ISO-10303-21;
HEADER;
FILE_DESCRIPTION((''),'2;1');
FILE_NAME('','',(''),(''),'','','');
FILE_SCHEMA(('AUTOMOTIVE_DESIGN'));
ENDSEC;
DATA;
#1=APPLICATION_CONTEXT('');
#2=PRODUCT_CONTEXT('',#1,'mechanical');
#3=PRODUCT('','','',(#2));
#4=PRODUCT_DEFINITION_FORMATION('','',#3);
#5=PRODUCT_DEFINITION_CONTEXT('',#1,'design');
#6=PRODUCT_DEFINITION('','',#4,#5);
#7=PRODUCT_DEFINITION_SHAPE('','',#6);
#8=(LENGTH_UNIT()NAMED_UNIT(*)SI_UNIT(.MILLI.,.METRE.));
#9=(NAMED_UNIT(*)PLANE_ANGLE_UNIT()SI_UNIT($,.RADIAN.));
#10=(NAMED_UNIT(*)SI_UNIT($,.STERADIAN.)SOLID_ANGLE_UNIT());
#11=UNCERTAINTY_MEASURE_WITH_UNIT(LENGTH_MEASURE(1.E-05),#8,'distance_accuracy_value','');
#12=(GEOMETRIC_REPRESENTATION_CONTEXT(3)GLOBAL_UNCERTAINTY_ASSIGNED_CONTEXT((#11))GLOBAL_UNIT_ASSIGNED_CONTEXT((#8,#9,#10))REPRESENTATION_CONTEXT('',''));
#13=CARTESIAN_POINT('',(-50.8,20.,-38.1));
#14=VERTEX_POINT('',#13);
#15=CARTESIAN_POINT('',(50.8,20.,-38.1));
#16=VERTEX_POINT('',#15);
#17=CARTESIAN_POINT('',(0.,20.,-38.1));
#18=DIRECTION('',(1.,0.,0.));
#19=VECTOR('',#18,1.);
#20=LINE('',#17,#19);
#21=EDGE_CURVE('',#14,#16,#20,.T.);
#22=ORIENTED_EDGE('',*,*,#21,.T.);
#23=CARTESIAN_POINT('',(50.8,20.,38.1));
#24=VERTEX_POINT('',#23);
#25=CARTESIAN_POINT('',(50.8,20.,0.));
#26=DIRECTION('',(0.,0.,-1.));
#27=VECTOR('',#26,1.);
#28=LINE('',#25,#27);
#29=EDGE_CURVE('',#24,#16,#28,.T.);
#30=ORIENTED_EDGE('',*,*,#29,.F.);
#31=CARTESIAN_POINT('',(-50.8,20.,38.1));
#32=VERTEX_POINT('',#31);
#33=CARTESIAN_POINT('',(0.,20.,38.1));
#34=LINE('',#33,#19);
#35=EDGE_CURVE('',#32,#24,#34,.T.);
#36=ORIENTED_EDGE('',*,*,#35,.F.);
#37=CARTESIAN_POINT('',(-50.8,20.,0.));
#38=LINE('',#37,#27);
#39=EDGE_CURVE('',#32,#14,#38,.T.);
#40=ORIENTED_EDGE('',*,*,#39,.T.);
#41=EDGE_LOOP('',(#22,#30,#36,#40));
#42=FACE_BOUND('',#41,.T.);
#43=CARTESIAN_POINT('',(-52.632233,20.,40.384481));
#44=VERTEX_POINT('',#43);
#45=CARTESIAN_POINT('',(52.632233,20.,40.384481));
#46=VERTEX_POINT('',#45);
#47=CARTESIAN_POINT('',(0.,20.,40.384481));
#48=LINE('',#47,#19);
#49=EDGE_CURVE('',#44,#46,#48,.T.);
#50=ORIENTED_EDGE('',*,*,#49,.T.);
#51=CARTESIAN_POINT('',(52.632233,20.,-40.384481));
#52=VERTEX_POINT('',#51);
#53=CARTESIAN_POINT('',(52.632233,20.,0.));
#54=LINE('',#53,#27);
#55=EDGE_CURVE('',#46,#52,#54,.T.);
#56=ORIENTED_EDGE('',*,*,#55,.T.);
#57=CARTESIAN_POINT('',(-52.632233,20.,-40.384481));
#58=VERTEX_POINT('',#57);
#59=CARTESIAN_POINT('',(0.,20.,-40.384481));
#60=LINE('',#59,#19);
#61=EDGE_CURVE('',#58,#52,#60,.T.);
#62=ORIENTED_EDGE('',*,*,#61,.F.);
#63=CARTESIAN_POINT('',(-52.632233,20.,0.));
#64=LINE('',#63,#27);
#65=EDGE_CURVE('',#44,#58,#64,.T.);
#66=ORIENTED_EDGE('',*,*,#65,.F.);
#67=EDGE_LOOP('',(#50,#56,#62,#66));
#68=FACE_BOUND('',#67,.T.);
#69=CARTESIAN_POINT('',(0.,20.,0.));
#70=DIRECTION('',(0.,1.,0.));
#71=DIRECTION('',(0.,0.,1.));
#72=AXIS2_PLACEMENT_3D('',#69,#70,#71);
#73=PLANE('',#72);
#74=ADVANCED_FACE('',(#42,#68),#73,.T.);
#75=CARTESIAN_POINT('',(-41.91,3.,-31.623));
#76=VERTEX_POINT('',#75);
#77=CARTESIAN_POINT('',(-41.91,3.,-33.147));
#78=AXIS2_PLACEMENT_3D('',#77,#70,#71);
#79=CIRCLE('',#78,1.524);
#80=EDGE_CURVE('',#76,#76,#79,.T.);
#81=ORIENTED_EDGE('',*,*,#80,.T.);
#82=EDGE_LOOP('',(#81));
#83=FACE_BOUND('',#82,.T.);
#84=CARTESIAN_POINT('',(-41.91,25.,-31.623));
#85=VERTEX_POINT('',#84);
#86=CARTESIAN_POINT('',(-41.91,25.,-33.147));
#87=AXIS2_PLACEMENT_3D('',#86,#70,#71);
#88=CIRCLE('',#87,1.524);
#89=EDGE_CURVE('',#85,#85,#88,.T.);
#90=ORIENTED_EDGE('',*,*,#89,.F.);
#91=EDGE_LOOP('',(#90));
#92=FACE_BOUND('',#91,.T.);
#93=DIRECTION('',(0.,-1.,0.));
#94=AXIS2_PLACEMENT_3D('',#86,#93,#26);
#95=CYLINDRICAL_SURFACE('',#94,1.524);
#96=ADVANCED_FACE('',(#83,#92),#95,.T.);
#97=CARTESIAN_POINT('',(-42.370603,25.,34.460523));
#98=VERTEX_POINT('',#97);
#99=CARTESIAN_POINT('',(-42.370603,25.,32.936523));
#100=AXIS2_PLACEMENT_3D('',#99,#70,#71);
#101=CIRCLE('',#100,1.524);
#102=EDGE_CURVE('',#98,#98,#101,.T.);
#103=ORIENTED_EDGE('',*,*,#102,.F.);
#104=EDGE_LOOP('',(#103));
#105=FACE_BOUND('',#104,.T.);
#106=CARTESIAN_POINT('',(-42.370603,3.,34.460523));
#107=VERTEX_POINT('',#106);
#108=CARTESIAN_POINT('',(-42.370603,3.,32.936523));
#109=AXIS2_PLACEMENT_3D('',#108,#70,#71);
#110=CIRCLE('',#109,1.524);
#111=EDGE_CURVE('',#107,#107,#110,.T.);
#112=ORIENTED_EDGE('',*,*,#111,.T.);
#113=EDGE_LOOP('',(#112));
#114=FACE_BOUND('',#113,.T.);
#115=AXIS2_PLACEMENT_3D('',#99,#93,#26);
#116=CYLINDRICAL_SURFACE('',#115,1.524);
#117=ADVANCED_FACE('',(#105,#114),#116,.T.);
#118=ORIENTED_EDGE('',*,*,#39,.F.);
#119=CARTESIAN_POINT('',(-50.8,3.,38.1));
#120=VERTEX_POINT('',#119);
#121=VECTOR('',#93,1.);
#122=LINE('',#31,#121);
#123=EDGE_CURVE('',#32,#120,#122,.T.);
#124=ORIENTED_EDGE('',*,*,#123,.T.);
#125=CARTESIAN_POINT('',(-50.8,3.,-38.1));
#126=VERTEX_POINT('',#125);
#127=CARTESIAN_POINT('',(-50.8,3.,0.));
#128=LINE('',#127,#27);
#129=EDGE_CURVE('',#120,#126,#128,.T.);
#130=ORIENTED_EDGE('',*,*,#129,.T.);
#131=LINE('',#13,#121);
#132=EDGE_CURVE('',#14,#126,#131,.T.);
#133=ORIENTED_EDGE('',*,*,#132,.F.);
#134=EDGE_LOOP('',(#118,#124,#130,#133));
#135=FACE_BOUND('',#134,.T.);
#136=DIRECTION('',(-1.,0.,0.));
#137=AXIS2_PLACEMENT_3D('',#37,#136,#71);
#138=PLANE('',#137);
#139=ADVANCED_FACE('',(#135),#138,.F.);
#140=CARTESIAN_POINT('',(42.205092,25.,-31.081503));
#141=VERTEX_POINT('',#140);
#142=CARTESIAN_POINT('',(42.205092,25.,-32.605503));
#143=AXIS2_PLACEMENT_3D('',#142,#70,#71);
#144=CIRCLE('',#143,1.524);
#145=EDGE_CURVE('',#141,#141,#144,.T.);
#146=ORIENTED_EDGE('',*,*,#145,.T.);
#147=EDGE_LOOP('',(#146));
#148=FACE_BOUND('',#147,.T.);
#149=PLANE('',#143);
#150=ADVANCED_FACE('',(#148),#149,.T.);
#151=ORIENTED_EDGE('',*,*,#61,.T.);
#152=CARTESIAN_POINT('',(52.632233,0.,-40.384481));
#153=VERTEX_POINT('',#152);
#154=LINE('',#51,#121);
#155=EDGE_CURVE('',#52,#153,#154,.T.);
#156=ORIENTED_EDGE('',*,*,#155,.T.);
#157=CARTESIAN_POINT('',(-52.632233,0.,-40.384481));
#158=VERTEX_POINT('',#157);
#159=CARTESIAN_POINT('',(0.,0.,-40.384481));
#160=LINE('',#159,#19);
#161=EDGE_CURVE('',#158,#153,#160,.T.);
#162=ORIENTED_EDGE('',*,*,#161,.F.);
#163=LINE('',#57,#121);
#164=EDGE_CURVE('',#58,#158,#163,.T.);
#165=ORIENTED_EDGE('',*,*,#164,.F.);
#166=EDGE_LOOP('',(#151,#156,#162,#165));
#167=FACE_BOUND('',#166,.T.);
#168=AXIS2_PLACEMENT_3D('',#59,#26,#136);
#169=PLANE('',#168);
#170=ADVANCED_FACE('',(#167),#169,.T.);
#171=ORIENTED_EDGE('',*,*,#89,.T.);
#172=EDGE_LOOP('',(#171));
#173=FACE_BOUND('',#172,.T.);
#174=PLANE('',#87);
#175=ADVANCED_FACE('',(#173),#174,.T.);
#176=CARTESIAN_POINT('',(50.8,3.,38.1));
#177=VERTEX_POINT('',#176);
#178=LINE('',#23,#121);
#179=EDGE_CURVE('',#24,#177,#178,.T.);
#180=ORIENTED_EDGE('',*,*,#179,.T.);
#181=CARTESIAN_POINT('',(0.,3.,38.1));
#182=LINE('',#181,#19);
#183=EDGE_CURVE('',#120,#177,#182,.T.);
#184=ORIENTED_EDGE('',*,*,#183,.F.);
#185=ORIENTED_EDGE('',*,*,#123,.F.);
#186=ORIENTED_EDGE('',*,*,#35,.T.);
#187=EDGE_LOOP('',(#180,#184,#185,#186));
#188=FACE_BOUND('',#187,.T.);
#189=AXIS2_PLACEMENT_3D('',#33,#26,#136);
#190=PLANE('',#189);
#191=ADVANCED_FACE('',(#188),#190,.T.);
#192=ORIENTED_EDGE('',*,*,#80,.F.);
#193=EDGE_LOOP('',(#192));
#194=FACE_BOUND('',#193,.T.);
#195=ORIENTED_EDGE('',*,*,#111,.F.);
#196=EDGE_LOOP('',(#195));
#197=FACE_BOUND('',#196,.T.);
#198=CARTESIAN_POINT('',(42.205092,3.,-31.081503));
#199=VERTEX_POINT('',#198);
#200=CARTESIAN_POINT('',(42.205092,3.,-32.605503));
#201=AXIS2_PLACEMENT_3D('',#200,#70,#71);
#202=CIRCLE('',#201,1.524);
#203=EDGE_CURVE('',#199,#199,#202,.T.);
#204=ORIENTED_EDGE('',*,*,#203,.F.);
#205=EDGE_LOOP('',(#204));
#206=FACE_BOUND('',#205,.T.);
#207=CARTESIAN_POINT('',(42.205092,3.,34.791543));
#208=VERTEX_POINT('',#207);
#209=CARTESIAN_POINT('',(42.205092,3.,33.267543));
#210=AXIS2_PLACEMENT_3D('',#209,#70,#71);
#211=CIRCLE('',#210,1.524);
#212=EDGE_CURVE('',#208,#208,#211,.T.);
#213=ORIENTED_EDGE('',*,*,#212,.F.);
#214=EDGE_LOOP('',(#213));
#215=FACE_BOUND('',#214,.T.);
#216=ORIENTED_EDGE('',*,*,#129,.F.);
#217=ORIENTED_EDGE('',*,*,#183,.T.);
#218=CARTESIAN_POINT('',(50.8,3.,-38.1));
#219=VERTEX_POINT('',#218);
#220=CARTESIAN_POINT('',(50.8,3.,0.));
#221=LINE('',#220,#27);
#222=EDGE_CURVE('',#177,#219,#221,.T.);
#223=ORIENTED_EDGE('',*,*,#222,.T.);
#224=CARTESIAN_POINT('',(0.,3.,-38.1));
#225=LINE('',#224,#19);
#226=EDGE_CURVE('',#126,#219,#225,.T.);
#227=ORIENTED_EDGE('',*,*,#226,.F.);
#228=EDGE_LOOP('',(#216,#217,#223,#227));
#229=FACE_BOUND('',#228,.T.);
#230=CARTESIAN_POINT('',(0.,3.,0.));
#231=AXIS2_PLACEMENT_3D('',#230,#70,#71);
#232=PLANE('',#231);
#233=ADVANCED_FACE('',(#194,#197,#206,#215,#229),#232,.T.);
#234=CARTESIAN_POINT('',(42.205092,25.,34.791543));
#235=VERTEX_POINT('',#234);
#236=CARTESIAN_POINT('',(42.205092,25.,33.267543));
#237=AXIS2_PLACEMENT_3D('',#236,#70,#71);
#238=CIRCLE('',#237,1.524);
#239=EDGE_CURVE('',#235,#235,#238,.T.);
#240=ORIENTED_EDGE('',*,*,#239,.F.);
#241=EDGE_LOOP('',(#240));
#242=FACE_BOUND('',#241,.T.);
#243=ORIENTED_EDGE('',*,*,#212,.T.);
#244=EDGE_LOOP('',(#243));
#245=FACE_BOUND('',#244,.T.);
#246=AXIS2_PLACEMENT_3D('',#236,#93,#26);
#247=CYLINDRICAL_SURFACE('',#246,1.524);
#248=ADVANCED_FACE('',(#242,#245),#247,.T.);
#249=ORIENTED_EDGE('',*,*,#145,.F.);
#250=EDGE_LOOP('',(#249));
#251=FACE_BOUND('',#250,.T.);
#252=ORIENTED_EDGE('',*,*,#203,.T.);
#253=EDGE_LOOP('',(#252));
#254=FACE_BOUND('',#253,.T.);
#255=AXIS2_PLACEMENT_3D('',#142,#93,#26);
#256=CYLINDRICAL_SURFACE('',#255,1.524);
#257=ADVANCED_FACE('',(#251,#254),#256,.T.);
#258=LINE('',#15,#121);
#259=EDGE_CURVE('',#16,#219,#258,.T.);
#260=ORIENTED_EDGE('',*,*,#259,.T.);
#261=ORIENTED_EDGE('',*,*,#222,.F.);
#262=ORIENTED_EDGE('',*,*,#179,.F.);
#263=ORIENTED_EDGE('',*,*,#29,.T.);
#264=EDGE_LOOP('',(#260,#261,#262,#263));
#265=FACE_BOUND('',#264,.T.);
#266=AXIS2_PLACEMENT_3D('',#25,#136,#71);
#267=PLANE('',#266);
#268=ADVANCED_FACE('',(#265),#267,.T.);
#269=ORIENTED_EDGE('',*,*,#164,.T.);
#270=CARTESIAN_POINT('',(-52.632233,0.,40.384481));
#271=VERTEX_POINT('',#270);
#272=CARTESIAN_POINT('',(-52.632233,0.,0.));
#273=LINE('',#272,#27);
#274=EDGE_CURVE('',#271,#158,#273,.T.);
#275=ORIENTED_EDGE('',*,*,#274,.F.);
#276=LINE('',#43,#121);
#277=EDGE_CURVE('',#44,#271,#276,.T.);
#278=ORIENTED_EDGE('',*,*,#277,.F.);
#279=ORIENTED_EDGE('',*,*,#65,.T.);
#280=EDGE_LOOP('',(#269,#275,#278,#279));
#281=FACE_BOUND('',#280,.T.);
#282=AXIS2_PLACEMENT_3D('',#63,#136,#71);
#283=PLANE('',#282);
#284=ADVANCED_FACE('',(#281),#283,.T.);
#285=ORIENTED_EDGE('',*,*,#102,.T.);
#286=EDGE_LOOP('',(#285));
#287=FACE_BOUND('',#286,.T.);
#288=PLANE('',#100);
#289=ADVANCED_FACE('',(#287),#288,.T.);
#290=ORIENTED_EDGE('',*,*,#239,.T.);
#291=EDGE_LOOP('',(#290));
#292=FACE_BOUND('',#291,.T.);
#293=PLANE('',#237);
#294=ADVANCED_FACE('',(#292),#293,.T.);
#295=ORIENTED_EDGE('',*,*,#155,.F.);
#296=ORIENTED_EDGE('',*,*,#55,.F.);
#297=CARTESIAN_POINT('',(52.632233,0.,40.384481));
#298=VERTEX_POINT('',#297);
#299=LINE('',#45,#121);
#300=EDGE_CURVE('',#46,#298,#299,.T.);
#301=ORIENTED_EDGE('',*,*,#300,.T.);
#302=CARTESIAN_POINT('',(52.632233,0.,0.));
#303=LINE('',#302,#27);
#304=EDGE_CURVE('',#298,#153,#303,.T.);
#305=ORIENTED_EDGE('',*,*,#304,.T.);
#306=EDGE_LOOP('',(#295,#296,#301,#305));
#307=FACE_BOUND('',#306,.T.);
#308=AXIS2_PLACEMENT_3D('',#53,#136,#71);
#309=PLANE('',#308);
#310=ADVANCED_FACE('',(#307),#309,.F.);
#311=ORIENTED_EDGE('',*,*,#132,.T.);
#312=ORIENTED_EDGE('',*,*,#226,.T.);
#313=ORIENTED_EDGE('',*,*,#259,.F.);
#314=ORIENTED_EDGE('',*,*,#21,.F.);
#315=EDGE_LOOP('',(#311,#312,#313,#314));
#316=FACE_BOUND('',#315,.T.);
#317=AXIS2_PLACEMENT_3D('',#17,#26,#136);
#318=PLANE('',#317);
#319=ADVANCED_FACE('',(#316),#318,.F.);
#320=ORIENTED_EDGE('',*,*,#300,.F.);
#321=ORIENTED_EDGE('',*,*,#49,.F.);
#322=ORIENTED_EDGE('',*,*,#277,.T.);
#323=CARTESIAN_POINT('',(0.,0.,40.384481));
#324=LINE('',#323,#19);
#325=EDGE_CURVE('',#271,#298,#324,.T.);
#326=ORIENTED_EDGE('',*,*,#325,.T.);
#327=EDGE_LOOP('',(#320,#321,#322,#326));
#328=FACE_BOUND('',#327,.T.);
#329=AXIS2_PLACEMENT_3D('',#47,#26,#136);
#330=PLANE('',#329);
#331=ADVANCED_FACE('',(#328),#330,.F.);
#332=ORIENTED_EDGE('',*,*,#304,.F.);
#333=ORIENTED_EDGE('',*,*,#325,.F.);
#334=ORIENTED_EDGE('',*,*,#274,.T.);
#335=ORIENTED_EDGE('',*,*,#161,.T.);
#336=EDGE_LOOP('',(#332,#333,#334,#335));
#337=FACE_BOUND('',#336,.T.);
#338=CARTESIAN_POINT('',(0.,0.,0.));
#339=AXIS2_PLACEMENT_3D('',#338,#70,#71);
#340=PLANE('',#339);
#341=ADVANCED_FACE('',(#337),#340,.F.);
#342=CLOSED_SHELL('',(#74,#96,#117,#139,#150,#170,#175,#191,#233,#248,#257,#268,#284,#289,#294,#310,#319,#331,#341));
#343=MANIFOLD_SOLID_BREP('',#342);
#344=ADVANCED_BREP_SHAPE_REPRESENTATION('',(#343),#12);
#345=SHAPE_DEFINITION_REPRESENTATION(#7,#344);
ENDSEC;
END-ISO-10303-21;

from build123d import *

# Parameters (mm, degrees)
SKETCH1_W           = 101.6
SKETCH1_H           = 76.2
SKETCH1_R           = 1.524
BOSS_EXTRUDE1_DEPTH = 3
SKETCH1_3_R         = 1.524
BOSS_EXTRUDE2_DEPTH = 25
SKETCH1_4_W         = 105.264465986
SKETCH1_4_H         = 80.768961322
SKETCH1_4_W_2       = 101.6
SKETCH1_4_H_2       = 76.2
BOSS_EXTRUDE3_DEPTH = 20


with BuildPart() as part:
    # Sketch1 → Boss-Extrude1 (new body)
    with BuildSketch(Plane(origin=(0, 0, 0), x_dir=(1, 0, 0), z_dir=(0, 1, 0))):
        Rectangle(SKETCH1_W, SKETCH1_H)
        with Locations((-42.370602661, -32.936523162)):
            Circle(SKETCH1_R, mode=Mode.SUBTRACT)
        with Locations((42.205092494, -33.267543495)):
            Circle(SKETCH1_R, mode=Mode.SUBTRACT)
        with Locations((-41.91, 33.147)):
            Circle(SKETCH1_R, mode=Mode.SUBTRACT)
        with Locations((42.205092494, 32.605502829)):
            Circle(SKETCH1_R, mode=Mode.SUBTRACT)
    extrude(amount=BOSS_EXTRUDE1_DEPTH)

    # Sketch1<3> → Boss-Extrude2 (add)
    with BuildSketch(Plane(origin=(0, 0, 0), x_dir=(1, 0, 0), z_dir=(0, 1, 0))):
        with Locations((-41.91, 33.147)):
            Circle(SKETCH1_3_R)
        with Locations((42.205092494, 32.605502829)):
            Circle(SKETCH1_3_R)
        with Locations((42.205092494, -33.267543495)):
            Circle(SKETCH1_3_R)
        with Locations((-42.370602661, -32.936523162)):
            Circle(SKETCH1_3_R)
    extrude(amount=BOSS_EXTRUDE2_DEPTH)

    # Sketch1<4> → Boss-Extrude3 (add)
    with BuildSketch(Plane(origin=(0, 0, 0), x_dir=(1, 0, 0), z_dir=(0, 1, 0))):
        Rectangle(SKETCH1_4_W, SKETCH1_4_H)
        Rectangle(SKETCH1_4_W_2, SKETCH1_4_H_2, mode=Mode.SUBTRACT)
    extrude(amount=BOSS_EXTRUDE3_DEPTH)


solid = part.part
